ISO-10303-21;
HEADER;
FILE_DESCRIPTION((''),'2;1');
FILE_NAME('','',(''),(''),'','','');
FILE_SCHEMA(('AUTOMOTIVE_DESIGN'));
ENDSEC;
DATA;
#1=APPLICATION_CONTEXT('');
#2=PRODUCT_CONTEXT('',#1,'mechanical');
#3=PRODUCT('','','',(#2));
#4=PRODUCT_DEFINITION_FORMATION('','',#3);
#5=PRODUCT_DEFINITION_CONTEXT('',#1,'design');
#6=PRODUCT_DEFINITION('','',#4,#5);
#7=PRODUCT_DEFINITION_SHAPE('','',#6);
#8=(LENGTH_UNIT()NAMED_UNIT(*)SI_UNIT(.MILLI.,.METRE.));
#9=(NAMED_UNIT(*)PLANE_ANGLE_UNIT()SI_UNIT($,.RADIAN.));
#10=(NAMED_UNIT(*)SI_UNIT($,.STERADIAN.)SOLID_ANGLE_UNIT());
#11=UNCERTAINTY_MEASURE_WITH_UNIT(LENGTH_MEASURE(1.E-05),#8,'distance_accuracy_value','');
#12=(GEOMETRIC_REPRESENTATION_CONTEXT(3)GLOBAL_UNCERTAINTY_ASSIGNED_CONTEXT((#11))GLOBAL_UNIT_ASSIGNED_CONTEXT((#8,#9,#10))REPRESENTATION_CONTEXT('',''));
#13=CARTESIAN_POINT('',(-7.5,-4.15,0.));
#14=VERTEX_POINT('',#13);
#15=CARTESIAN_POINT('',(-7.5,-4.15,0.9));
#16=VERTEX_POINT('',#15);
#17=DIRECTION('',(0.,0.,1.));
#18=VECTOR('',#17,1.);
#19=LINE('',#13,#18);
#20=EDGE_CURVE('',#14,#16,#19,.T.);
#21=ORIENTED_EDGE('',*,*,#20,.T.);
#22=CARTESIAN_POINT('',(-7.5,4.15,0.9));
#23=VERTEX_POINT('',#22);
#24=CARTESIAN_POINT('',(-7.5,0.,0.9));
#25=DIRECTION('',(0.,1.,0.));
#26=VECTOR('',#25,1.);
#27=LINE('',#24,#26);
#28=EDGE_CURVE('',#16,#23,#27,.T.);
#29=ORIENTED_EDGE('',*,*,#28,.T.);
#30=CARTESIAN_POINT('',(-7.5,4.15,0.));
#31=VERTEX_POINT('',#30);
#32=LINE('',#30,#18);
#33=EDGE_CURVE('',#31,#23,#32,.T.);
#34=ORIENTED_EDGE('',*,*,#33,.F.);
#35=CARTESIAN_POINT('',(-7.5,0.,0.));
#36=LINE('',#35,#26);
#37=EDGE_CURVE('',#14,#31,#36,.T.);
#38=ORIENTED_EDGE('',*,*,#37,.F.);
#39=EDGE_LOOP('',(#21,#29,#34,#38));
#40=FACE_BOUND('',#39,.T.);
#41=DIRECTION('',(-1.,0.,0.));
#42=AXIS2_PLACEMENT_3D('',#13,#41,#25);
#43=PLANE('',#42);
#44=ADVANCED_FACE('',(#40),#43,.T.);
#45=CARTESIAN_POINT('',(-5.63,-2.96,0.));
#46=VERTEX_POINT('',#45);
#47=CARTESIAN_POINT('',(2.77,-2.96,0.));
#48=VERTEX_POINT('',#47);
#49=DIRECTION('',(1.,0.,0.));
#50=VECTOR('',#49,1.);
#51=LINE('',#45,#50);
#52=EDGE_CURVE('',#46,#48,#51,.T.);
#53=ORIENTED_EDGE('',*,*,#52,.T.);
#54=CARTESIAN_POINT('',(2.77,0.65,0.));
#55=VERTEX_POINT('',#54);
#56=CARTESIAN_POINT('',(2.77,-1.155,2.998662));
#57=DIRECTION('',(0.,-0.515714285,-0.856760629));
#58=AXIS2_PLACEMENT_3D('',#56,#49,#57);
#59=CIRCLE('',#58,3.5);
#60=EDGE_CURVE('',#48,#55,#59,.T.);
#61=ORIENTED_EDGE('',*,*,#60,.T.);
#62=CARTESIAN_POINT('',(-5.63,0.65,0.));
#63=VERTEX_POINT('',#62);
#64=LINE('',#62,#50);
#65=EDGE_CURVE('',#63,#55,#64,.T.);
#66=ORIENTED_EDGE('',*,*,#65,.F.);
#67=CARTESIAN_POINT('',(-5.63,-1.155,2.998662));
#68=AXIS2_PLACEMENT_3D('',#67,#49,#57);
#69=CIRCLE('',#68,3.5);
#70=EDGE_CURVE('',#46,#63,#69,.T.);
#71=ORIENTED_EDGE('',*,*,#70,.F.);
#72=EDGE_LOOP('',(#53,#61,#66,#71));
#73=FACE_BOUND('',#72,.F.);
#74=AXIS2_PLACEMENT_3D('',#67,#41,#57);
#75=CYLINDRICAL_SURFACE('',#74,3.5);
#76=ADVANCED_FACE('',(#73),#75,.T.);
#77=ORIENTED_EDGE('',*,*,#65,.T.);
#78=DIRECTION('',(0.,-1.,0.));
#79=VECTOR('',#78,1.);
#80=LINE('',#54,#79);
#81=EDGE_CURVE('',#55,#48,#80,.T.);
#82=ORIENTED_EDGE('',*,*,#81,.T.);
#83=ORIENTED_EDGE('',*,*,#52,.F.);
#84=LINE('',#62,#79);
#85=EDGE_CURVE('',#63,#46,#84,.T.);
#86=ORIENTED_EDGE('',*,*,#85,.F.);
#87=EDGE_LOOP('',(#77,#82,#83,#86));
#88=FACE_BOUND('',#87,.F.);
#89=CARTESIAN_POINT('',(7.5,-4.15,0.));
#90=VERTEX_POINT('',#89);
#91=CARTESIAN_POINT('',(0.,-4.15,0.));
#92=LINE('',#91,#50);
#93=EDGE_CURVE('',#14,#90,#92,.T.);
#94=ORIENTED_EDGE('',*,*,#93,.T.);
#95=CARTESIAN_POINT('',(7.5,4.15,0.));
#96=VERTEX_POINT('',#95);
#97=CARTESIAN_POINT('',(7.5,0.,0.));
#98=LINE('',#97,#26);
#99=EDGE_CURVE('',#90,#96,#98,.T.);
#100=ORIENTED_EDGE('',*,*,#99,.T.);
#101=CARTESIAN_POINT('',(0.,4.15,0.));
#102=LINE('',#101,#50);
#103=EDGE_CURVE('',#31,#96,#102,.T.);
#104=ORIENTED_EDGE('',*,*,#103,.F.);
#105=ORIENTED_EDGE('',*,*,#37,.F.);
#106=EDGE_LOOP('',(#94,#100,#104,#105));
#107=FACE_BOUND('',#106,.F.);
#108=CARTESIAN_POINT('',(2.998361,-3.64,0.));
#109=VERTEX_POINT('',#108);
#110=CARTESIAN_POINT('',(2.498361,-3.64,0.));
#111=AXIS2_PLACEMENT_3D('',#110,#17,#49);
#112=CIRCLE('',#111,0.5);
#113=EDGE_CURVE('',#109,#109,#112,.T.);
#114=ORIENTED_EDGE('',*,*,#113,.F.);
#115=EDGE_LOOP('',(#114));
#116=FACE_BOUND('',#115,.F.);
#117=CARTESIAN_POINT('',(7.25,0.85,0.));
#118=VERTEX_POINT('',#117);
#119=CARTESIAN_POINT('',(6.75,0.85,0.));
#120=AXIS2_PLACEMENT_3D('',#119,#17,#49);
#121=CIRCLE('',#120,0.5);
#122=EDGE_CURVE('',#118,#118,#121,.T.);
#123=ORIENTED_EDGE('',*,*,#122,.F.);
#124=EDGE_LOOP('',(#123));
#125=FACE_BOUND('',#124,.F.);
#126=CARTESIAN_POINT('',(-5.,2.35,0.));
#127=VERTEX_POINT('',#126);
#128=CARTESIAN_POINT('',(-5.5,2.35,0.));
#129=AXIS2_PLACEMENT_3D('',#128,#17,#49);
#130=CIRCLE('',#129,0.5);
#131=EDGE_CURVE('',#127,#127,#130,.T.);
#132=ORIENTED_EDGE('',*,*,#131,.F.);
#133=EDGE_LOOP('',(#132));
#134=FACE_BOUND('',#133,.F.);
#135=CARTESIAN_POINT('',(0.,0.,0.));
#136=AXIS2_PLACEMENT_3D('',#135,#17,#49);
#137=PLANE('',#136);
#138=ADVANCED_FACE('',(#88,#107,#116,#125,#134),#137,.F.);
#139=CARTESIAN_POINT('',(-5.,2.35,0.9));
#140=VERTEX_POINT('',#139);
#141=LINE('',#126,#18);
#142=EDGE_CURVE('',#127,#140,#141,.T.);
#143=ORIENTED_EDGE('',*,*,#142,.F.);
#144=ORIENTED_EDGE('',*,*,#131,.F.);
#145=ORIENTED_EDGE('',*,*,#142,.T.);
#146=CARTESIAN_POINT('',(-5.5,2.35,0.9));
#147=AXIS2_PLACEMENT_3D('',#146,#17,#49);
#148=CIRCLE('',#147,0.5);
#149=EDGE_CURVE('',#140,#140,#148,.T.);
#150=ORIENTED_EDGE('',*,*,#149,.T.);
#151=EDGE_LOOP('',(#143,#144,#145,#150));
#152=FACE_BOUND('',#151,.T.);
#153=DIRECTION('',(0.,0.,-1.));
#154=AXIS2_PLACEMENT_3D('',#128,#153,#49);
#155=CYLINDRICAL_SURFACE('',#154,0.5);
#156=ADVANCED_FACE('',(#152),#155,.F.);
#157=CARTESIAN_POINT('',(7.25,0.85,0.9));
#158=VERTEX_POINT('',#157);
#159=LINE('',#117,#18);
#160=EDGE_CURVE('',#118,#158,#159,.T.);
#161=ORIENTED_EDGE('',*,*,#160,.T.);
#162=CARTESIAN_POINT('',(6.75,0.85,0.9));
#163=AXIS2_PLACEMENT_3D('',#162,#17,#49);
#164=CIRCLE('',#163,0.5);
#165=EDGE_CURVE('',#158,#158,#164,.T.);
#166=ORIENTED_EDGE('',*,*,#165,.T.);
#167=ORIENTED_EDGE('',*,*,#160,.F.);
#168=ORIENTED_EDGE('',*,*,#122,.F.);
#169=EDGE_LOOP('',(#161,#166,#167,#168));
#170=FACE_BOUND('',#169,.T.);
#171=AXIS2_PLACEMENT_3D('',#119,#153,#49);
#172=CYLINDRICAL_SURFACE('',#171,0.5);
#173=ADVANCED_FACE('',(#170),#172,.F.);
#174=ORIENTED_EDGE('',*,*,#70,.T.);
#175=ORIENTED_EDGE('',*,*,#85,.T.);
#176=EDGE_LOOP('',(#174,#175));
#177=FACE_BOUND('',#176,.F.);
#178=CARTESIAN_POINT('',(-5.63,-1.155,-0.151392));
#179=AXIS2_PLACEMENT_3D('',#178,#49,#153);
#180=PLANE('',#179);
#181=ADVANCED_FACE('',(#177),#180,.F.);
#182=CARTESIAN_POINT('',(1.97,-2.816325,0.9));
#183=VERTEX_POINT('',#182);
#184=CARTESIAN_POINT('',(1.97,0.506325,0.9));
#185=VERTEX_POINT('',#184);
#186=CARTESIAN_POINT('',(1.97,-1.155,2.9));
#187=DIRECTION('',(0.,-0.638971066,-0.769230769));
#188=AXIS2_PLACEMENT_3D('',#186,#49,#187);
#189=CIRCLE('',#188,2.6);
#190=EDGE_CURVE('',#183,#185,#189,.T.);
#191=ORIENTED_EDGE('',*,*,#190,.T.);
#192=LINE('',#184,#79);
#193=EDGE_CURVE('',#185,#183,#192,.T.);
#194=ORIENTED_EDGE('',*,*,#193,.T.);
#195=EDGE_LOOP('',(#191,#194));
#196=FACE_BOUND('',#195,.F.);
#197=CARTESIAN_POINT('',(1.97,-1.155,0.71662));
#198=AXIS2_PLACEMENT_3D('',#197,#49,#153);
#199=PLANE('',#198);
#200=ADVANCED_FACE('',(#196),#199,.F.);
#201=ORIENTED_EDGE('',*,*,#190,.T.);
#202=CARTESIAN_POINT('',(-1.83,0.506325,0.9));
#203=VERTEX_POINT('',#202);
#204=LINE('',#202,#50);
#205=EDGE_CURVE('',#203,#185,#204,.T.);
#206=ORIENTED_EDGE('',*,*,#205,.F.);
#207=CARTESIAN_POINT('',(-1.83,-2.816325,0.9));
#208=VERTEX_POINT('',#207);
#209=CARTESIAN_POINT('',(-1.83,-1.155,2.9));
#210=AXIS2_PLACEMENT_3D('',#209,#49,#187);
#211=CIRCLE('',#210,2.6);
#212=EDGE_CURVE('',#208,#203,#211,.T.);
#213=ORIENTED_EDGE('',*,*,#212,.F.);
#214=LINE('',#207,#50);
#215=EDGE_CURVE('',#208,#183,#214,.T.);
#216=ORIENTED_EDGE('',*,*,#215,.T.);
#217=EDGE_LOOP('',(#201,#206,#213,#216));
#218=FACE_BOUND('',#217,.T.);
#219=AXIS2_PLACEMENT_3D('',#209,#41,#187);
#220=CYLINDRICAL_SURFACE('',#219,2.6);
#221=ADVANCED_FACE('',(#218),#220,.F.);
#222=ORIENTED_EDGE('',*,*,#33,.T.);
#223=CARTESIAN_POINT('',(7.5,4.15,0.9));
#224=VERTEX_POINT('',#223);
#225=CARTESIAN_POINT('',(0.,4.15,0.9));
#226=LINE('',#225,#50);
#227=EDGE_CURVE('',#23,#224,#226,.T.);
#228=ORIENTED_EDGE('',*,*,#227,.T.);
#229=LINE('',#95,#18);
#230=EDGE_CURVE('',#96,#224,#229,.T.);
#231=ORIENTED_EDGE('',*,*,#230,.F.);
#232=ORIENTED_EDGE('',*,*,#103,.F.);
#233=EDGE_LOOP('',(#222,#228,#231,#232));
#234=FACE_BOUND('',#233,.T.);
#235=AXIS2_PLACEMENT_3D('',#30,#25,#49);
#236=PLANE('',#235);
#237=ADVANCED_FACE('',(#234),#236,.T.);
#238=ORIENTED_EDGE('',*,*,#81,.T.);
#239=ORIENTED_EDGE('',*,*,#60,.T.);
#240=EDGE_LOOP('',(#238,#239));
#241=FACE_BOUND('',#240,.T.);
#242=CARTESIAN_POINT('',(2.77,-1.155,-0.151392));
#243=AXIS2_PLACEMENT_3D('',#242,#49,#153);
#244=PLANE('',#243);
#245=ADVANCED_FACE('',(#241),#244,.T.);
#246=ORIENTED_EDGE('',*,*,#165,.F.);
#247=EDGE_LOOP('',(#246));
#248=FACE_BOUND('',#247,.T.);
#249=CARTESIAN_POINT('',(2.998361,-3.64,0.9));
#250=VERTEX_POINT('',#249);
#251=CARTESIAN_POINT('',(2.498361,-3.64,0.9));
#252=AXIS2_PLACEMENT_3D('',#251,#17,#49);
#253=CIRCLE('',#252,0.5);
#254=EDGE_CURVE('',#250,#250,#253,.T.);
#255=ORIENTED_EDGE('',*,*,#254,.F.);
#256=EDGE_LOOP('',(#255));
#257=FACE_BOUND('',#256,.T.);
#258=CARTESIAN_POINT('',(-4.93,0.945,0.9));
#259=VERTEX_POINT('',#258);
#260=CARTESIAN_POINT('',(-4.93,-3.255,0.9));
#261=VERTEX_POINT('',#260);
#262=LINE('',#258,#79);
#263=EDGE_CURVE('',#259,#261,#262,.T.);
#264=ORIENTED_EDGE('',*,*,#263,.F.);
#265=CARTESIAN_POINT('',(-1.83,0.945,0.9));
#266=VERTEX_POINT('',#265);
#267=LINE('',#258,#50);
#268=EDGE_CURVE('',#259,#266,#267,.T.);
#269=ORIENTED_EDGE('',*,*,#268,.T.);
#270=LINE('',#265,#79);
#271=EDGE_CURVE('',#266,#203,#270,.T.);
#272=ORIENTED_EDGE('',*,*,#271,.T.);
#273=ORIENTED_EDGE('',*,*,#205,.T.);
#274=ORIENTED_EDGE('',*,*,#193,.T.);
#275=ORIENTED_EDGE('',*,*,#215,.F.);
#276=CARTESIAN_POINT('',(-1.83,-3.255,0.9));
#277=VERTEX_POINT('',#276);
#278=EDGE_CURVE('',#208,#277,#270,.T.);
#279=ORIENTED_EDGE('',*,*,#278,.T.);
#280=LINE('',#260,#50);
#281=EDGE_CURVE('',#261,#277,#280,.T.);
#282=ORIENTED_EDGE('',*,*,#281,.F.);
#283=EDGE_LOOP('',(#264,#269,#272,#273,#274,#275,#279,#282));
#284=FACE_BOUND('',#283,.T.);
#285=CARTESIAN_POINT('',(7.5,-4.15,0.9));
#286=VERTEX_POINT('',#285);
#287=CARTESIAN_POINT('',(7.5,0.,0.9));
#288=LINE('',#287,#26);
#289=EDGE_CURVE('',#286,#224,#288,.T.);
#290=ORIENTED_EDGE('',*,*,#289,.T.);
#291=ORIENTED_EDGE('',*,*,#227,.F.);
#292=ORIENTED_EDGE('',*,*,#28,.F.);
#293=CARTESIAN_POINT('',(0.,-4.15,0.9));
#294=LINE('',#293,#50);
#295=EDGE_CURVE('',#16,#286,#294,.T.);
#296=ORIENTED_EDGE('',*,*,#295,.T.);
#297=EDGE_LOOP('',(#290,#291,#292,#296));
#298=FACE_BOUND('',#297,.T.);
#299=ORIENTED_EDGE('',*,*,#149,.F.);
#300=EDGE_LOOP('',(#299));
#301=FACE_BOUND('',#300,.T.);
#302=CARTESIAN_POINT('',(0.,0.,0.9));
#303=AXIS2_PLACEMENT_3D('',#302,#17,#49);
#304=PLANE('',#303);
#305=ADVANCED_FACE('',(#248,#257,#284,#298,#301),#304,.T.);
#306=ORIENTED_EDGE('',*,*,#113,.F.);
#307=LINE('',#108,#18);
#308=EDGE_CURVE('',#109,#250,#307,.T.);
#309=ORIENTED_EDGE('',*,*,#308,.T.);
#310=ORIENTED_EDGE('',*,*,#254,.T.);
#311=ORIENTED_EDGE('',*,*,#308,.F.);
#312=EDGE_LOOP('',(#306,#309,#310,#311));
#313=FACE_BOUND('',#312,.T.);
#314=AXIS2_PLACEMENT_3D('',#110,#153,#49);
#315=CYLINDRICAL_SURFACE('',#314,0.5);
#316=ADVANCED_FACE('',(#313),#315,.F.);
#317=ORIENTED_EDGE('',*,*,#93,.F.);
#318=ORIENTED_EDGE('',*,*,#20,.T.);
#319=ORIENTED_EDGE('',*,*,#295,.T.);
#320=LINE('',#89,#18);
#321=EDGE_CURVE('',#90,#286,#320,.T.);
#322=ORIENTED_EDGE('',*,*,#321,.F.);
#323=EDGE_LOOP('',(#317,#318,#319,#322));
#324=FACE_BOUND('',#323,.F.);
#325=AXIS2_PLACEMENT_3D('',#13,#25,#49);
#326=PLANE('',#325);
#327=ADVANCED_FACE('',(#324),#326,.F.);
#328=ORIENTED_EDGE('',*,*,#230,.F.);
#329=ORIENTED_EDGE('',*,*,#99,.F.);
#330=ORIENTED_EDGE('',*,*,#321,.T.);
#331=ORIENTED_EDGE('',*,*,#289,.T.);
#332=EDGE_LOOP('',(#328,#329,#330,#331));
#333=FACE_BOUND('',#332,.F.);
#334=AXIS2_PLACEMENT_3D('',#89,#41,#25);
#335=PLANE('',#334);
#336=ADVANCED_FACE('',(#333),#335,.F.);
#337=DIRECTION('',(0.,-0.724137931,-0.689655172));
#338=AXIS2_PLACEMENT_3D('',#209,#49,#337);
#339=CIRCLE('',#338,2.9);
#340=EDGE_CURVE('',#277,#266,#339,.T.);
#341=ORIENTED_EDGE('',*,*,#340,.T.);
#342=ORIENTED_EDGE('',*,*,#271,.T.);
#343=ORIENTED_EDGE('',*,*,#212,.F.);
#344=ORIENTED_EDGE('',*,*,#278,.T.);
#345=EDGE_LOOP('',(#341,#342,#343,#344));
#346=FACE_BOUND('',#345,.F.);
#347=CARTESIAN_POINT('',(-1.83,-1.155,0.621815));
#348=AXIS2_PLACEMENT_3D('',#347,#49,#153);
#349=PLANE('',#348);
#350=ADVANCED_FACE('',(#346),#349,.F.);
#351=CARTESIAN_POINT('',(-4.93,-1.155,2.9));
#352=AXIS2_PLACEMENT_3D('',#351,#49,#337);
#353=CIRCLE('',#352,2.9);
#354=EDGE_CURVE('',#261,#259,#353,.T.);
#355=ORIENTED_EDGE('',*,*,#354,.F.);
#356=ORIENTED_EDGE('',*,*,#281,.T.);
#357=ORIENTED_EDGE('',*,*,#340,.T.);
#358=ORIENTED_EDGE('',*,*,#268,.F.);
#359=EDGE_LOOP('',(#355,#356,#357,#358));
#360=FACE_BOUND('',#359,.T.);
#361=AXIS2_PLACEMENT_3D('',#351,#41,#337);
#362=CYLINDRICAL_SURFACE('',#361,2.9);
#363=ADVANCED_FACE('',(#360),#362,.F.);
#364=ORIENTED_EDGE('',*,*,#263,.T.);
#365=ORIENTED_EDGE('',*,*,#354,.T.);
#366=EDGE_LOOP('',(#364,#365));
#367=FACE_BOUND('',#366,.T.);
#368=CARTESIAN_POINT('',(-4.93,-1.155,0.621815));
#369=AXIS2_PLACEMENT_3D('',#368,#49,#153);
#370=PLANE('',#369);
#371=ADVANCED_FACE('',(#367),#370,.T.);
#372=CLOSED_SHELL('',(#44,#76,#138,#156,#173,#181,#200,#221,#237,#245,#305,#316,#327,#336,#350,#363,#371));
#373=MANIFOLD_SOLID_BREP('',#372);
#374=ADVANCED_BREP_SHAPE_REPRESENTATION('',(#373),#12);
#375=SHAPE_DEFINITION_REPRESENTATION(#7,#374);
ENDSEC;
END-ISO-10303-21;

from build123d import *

# Parameters (mm, degrees)
SKETCH1_W            = 15
SKETCH1_H            = 8.3
SKETCH1_R            = 0.5
FRONT_FACE_EXT_DEPTH = 0.9
BOSS_EXTRUDE1_START  = -0.3
BOSS_EXTRUDE1_DEPTH  = 8.4
CUT_EXTRUDE5_START   = -1
CUT_EXTRUDE5_DEPTH   = 3.1
CUT_EXTRUDE6_DEPTH   = 3.8


with BuildPart() as part:
    # Sketch1 → Front Face Ext (new body)
    with BuildSketch(Plane.XY):
        Rectangle(SKETCH1_W, SKETCH1_H)
        with Locations((-5.5, 2.35)):
            Circle(SKETCH1_R, mode=Mode.SUBTRACT)
        with Locations((6.75, 0.85)):
            Circle(SKETCH1_R, mode=Mode.SUBTRACT)
        with Locations((2.498361092, -3.64)):
            Circle(SKETCH1_R, mode=Mode.SUBTRACT)
    extrude(amount=FRONT_FACE_EXT_DEPTH)

    # Sketch3 → Boss-Extrude1 (add)
    with BuildSketch(Plane.ZY.offset(5.93).offset(BOSS_EXTRUDE1_START)):
        with BuildLine():
            Line((0, 0.65), (0, -2.96))
            ThreePointArc((0, -2.96), (-0.501337798, -1.155), (0, 0.65))
        make_face()
    extrude(amount=-BOSS_EXTRUDE1_DEPTH)

    # Sketch4 → Cut-Extrude5 (cut)
    with BuildSketch(Plane.ZY.offset(5.93).offset(CUT_EXTRUDE5_START)):
        with BuildLine():
            Line((0.9, 0.945), (0.9, -3.255))
            ThreePointArc((0.9, -3.255), (0, -1.155), (0.9, 0.945))
        make_face()
    extrude(amount=-CUT_EXTRUDE5_DEPTH, mode=Mode.SUBTRACT)

    # Sketch6 → Cut-Extrude6 (cut)
    with BuildSketch(Plane.ZY.offset(1.83)):
        with BuildLine():
            Line((0.9, 0.506324773), (0.9, -2.816324773))
            ThreePointArc((0.9, -2.816324773), (0.3, -1.155), (0.9, 0.506324773))
        make_face()
    extrude(amount=-CUT_EXTRUDE6_DEPTH, mode=Mode.SUBTRACT)


solid = part.part
